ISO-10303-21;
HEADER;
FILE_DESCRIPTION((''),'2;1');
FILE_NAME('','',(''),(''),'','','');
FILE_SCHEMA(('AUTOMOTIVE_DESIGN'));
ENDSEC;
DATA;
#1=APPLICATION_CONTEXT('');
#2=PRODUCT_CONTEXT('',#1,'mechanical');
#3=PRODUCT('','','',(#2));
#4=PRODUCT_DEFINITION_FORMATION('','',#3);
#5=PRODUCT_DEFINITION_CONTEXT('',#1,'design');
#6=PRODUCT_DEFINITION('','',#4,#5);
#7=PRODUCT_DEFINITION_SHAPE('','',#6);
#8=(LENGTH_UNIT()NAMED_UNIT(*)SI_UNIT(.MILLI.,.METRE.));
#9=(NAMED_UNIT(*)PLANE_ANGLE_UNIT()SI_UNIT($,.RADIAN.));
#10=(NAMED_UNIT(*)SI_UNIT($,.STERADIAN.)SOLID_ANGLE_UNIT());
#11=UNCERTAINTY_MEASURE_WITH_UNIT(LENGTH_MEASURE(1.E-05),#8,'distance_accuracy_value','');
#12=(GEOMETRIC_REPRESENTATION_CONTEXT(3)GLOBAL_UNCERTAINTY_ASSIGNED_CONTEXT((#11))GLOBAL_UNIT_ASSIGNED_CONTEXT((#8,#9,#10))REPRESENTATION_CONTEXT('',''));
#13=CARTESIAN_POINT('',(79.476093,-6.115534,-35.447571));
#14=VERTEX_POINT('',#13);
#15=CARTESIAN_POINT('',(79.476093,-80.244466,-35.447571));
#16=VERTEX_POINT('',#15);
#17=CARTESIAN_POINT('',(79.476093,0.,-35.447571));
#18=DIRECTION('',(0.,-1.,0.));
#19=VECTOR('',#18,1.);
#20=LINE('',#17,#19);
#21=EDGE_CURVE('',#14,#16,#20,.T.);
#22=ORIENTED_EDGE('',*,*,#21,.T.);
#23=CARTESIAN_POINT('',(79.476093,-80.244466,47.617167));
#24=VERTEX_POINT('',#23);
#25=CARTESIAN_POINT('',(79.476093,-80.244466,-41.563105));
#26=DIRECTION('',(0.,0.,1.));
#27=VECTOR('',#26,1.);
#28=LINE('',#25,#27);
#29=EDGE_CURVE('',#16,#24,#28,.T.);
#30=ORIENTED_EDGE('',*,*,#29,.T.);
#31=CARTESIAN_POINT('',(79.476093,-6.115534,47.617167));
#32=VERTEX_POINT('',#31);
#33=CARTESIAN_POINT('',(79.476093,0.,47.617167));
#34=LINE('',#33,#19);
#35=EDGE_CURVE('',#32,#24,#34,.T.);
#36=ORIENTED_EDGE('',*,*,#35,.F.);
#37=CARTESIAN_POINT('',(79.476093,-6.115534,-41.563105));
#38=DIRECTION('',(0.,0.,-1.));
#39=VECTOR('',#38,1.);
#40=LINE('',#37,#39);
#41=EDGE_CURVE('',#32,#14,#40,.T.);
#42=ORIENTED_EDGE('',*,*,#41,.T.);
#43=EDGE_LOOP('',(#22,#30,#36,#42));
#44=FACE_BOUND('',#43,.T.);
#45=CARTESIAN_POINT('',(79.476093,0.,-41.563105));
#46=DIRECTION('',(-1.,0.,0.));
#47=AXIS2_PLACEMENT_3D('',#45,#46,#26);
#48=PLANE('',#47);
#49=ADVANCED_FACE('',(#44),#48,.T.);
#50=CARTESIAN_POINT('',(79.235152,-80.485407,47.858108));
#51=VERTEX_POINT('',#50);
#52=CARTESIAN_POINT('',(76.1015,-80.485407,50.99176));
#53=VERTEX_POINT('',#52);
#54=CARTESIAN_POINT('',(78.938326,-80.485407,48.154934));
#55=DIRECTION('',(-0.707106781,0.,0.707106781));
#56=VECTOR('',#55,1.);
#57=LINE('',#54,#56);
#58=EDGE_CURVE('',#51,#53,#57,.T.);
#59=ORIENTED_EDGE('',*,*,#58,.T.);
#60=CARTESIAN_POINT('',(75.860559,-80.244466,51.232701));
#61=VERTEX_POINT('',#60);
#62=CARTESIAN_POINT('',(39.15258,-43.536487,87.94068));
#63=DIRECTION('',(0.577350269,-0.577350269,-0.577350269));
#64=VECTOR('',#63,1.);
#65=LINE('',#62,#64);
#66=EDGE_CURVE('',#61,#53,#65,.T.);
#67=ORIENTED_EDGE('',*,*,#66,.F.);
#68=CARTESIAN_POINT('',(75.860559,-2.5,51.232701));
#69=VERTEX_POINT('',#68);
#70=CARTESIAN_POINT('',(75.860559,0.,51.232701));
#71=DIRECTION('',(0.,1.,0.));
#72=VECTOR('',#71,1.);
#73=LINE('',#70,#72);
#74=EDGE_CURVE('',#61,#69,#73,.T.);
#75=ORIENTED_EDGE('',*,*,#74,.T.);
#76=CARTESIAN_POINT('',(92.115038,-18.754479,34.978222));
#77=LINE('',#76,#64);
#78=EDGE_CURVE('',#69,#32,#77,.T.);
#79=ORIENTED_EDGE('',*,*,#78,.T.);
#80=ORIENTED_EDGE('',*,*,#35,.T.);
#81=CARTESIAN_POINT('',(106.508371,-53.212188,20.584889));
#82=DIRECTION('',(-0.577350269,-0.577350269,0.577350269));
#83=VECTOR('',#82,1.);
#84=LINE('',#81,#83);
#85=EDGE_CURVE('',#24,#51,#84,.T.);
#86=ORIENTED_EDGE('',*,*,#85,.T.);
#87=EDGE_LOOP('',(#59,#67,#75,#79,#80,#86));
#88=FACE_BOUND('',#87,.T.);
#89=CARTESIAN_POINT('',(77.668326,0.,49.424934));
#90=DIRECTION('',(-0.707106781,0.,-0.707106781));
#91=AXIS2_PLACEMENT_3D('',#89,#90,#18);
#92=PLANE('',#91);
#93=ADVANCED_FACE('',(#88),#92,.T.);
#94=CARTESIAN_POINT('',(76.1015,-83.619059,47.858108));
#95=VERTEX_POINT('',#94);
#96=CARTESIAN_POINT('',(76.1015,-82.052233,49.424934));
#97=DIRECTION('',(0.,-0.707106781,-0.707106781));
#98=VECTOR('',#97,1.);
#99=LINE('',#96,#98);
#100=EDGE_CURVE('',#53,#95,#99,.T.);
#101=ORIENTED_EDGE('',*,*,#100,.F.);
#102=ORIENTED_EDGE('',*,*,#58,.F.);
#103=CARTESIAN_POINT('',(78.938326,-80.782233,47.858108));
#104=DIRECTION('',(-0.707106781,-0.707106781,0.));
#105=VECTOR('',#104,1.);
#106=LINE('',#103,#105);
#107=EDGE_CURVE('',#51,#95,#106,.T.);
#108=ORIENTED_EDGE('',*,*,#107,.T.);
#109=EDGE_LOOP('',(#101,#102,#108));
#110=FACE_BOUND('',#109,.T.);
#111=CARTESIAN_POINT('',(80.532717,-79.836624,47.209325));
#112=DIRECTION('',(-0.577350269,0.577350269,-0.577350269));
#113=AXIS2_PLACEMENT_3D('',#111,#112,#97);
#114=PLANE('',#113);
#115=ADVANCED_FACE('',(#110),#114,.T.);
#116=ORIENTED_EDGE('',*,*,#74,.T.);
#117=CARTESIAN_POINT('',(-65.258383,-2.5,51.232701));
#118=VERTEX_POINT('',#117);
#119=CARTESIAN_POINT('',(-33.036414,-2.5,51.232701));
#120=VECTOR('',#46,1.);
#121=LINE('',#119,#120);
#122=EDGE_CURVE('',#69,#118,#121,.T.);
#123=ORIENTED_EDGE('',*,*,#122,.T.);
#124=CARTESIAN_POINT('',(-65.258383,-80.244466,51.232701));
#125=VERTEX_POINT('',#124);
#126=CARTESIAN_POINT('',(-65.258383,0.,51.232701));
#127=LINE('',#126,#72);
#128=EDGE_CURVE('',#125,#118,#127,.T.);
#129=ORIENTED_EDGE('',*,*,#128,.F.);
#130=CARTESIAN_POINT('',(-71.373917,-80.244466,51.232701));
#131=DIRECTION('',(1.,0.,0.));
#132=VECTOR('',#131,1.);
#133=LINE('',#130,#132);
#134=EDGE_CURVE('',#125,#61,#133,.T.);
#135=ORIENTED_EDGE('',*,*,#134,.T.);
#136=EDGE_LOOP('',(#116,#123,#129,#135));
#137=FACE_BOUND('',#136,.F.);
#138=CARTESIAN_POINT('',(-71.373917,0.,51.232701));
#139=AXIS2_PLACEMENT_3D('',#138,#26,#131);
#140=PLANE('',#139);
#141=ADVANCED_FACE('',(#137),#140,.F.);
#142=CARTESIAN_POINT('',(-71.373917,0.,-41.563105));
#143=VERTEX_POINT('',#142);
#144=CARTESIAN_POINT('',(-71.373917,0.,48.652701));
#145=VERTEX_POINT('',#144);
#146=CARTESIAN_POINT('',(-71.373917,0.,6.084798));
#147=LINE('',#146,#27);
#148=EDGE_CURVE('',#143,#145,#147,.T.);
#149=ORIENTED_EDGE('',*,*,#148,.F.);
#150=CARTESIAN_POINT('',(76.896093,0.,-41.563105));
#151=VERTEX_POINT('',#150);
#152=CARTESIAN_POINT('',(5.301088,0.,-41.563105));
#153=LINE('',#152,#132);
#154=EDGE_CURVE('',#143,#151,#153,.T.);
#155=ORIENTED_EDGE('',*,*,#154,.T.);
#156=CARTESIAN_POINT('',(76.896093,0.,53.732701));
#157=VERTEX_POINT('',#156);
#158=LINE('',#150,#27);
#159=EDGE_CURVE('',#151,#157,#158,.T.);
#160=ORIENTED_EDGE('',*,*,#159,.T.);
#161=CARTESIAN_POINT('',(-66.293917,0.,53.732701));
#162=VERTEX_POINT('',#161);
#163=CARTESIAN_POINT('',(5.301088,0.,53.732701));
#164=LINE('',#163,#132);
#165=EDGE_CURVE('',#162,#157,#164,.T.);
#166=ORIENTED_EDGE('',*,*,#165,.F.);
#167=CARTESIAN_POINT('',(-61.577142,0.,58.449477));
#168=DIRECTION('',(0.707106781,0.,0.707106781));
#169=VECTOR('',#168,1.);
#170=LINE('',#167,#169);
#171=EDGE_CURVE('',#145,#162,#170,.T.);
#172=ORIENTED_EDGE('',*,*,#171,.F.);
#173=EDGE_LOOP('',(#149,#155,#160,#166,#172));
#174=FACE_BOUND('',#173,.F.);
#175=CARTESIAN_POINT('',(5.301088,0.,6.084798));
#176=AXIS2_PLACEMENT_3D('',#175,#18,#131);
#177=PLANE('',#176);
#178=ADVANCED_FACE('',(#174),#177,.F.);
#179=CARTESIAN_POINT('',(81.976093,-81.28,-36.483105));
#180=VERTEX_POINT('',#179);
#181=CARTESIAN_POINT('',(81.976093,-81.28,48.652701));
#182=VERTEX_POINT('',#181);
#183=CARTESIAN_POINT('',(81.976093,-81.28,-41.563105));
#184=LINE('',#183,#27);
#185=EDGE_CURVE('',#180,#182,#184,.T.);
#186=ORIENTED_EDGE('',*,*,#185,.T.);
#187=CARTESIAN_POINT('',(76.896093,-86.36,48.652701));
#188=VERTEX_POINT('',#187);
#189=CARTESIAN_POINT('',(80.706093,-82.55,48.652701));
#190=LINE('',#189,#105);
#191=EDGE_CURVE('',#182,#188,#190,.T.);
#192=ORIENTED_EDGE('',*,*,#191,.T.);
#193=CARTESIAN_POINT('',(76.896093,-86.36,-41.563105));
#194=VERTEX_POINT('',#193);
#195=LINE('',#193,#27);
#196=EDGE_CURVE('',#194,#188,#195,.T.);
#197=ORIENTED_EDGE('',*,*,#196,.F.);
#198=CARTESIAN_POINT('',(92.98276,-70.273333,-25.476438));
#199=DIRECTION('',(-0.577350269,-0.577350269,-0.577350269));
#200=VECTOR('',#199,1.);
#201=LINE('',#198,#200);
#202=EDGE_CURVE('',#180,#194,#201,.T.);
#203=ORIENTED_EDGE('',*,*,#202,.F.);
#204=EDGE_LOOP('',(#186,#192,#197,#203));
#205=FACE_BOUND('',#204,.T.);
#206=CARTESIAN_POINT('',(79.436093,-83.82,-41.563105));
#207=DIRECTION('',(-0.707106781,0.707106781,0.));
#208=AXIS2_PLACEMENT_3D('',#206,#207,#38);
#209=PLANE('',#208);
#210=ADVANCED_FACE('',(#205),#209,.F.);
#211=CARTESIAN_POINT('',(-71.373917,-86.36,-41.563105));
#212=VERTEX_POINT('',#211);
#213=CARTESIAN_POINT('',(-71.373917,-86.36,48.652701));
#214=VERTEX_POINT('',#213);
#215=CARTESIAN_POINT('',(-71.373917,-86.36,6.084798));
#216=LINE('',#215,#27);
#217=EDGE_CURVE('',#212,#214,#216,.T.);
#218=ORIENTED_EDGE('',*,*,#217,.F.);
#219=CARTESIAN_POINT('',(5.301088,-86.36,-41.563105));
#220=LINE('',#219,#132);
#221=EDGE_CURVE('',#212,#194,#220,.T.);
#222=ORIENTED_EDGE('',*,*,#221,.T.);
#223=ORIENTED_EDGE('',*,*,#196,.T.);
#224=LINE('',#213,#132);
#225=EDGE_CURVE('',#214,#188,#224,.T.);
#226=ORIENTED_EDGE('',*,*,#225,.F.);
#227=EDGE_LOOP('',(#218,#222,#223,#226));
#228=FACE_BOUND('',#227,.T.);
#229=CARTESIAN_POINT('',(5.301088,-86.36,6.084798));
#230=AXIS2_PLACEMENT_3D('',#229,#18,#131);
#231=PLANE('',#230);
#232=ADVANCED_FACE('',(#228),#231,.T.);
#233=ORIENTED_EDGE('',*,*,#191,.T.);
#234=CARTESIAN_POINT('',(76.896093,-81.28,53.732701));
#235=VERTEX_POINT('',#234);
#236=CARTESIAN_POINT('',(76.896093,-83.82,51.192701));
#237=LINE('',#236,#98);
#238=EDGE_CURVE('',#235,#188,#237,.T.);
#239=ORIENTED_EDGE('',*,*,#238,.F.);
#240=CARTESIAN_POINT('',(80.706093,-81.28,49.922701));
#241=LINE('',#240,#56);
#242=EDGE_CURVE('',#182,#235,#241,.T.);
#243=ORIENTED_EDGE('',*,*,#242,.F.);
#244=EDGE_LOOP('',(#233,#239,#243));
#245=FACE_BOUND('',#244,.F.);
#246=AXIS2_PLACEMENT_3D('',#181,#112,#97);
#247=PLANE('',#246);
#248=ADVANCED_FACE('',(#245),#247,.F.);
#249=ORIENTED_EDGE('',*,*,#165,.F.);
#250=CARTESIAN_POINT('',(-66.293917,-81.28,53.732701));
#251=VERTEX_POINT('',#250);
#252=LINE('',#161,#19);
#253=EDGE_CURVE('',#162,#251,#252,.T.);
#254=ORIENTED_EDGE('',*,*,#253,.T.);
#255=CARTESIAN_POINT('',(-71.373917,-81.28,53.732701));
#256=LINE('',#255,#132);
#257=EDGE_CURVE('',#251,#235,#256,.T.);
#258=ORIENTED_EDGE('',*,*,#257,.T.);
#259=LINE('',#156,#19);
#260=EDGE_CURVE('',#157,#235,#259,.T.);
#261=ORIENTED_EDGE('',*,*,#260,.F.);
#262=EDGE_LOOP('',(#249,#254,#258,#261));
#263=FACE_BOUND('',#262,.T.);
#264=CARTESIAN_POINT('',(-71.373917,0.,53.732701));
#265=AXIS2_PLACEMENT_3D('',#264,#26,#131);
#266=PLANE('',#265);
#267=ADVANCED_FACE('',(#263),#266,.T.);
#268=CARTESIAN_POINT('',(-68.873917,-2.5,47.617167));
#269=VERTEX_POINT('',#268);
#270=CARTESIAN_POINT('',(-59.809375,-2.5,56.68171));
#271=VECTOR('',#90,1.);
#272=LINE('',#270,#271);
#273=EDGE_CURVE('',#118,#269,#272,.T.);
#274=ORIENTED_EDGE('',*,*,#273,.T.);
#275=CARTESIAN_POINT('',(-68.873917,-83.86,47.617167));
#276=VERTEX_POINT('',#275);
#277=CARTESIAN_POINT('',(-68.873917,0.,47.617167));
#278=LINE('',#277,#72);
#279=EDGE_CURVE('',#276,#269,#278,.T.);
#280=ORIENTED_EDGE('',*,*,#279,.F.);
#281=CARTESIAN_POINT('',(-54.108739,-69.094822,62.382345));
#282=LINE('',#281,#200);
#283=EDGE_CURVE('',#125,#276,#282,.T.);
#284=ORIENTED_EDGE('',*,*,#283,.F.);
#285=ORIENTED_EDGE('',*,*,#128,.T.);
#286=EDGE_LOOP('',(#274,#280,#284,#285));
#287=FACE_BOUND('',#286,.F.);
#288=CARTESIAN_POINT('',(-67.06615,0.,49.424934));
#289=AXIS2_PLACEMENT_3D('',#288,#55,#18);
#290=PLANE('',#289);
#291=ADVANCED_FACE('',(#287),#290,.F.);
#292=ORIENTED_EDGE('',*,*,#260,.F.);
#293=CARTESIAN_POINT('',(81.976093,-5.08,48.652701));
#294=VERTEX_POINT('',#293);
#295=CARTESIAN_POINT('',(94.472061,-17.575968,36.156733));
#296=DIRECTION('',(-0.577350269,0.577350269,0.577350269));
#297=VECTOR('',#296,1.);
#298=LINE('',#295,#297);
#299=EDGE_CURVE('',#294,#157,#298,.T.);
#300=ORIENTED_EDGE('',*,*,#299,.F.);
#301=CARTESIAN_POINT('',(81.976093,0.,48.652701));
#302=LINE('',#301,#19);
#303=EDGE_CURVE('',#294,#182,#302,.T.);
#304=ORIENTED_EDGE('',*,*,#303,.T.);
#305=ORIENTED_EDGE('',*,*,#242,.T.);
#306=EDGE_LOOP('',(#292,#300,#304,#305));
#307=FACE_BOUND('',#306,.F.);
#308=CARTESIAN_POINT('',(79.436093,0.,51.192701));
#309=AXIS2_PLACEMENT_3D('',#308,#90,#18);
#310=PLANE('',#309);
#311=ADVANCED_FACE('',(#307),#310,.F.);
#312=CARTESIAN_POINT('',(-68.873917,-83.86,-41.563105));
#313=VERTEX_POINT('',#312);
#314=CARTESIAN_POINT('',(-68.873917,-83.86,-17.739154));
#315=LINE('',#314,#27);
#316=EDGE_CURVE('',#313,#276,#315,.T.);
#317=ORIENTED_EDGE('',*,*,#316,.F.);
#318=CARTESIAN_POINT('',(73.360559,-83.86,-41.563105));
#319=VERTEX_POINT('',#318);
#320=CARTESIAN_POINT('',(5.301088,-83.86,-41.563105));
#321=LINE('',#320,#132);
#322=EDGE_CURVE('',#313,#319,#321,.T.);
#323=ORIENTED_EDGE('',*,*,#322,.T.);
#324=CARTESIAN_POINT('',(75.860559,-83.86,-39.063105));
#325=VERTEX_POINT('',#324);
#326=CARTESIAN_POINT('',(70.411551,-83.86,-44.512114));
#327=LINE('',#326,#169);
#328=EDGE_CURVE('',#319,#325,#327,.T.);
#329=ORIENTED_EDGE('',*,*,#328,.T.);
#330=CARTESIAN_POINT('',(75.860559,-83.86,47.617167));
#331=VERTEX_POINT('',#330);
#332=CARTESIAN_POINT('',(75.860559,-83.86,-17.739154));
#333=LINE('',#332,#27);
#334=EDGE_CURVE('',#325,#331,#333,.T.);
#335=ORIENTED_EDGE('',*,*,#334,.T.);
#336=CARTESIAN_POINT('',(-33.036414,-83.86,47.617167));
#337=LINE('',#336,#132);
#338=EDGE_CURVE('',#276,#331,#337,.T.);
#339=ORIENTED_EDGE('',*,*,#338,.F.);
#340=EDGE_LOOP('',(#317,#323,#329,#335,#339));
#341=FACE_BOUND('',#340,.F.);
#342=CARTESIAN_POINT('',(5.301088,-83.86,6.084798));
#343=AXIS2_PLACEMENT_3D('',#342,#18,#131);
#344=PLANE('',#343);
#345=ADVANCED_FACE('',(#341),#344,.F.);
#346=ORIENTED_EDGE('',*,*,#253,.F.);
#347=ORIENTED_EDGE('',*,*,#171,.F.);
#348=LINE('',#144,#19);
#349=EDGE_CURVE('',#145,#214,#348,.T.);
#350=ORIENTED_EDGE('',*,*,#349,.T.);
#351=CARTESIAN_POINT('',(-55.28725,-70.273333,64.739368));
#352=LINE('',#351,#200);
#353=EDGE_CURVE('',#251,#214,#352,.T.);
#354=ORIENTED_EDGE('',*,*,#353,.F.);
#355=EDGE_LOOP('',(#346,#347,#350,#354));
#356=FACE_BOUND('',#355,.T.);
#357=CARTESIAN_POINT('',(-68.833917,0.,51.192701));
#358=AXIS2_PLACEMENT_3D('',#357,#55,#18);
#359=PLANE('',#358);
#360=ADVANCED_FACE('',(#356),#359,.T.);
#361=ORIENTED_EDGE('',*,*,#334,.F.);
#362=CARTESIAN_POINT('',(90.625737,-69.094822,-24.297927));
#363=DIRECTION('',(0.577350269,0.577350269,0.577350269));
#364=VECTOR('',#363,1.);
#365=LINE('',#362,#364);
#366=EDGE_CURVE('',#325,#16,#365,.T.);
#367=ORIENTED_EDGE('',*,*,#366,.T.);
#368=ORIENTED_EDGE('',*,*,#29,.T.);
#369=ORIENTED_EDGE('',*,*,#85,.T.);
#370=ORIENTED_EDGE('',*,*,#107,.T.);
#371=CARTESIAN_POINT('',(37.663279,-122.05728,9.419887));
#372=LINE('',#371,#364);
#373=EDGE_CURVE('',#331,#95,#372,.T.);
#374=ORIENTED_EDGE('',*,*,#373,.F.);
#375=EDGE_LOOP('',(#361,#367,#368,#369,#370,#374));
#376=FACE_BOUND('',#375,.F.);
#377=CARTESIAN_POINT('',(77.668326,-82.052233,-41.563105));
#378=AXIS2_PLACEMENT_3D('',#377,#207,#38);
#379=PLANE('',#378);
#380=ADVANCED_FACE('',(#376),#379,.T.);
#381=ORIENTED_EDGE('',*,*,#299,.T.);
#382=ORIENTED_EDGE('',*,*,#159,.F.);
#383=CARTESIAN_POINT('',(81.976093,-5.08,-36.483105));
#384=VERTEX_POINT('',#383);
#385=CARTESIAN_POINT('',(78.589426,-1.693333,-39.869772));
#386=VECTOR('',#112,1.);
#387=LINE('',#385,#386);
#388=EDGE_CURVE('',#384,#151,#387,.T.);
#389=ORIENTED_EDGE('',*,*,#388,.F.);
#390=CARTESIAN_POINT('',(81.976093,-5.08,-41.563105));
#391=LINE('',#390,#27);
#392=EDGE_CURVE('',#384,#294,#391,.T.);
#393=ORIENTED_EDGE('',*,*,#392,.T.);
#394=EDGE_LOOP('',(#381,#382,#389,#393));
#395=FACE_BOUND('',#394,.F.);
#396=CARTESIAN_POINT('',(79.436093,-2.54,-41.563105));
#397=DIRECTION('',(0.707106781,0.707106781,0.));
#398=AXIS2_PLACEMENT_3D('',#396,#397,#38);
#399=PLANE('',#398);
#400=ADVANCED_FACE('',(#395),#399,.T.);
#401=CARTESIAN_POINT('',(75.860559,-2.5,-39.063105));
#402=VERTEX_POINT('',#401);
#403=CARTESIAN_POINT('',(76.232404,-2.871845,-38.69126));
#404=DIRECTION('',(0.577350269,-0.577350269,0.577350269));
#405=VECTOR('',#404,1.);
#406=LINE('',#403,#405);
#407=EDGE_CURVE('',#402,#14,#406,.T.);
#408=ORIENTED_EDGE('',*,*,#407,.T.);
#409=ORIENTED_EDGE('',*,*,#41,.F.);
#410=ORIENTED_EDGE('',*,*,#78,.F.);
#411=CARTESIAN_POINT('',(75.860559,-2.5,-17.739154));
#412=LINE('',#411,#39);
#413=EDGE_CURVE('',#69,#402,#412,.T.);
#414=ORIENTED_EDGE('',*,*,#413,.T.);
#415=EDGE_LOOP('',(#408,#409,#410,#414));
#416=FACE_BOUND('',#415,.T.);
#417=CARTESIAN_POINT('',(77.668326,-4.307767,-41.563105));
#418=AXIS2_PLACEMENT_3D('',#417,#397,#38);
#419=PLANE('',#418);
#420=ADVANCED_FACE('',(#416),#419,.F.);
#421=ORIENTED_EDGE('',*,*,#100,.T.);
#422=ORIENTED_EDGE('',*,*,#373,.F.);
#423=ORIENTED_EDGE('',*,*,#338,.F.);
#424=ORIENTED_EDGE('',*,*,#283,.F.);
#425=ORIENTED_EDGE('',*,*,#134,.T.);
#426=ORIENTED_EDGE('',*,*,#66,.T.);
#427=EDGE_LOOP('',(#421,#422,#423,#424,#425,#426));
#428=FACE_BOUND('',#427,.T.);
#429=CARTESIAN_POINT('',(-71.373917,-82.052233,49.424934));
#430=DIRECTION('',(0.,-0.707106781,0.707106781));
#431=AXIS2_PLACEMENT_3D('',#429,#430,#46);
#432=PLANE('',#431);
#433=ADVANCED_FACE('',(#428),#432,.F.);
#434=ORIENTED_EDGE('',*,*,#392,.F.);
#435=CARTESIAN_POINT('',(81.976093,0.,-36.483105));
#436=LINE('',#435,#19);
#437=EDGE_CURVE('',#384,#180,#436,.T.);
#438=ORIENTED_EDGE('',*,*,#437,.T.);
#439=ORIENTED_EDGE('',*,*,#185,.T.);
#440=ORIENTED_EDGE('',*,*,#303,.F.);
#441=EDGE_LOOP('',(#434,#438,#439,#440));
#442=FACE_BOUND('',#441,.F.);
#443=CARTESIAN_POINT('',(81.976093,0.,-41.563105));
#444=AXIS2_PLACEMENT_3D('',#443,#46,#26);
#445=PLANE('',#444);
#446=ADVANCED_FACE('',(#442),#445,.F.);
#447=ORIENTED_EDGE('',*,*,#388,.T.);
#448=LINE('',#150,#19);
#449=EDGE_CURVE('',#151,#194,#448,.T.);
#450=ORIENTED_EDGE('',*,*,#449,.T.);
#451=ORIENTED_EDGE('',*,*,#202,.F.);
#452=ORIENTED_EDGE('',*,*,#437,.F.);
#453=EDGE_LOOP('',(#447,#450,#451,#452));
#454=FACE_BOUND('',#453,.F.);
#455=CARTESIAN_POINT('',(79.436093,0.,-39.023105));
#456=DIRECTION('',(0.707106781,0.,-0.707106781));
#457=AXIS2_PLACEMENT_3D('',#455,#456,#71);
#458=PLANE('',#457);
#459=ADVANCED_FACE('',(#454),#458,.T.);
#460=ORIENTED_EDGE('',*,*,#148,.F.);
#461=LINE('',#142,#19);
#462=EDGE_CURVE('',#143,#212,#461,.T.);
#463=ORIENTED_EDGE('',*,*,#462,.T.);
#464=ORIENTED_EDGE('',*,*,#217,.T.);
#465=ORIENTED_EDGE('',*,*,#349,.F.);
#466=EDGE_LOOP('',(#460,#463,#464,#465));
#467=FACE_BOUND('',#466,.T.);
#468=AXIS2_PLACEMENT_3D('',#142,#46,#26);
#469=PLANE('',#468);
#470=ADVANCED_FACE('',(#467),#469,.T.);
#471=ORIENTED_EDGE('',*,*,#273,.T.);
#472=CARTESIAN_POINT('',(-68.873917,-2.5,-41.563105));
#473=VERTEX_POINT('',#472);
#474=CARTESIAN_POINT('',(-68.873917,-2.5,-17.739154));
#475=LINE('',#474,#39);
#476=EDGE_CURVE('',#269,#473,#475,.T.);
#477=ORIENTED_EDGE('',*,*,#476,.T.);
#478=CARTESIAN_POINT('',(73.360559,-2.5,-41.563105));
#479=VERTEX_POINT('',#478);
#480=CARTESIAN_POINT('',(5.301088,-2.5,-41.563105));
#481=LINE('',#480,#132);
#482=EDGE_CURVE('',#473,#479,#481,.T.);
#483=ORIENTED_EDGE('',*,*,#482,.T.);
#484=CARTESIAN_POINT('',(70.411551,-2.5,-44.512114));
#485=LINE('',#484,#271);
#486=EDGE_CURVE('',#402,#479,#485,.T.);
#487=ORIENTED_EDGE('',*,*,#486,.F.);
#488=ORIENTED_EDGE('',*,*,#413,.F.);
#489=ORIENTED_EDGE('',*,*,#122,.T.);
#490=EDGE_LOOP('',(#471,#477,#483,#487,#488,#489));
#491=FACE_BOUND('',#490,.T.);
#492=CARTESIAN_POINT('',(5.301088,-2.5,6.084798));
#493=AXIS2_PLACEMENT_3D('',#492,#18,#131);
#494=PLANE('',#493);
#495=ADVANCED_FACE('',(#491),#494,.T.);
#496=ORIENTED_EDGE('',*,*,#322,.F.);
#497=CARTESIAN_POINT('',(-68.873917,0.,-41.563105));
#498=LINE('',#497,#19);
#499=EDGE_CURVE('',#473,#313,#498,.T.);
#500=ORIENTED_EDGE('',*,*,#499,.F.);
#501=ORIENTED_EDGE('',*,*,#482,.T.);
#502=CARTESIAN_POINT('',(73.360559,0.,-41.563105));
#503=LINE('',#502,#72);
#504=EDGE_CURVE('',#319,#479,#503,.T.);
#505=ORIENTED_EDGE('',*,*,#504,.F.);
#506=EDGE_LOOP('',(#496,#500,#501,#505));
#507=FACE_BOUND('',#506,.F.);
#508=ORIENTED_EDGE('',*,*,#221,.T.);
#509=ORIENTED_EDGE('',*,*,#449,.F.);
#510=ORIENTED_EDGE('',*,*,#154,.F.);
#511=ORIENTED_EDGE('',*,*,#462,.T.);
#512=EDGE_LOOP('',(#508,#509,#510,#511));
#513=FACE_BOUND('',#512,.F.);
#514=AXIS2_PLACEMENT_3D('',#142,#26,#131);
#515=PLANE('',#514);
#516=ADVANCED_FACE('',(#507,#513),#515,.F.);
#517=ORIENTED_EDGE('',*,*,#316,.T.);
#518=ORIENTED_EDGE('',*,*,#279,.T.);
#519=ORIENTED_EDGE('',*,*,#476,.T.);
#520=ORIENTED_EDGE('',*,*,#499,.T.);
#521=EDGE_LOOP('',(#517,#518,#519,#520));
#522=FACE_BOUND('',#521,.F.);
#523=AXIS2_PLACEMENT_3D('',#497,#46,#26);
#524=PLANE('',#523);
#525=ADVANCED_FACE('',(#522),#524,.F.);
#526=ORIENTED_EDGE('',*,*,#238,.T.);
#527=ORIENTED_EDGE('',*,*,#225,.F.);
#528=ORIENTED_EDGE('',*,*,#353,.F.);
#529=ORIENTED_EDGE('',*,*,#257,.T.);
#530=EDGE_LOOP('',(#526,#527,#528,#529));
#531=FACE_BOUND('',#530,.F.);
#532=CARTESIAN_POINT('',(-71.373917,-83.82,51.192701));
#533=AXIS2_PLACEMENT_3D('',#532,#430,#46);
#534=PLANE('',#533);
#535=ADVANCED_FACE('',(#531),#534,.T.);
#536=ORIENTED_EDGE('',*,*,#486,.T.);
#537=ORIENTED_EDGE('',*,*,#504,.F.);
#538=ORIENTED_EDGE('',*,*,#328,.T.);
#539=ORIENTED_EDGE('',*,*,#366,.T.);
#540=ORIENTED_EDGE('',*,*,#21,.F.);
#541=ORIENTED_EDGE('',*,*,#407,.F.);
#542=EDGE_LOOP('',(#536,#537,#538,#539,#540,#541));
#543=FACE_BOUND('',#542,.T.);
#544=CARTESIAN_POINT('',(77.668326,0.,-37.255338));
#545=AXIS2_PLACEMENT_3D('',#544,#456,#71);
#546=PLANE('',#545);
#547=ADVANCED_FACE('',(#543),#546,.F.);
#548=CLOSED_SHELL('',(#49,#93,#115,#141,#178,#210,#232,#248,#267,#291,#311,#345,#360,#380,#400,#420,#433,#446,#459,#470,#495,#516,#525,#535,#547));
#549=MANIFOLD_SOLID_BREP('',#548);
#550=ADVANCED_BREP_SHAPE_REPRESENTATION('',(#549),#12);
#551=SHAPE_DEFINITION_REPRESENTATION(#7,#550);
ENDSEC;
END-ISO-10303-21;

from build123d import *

# Parameters (mm, degrees)
F0_W     = 153.35001
F0_H     = 95.295806
F1_DEPTH = 86.36
F2_SIZE  = 5.08
F3_T     = -2.5


with BuildPart() as f1:
    # F0 (on Front) → F1 (new body)
    with BuildSketch(Plane.XZ):
        with Locations((5.301088, 6.084798)):
            Rectangle(F0_W, F0_H)
    extrude(amount=F1_DEPTH)

    # F2
    f2_edges = [f1.edges().sort_by_distance(p)[0] for p in [
        (5.301088, -86.36, 53.732701),
        (81.976093, -43.18, 53.732701),
        (-71.373917, -43.18, 53.732701),
        (81.976093, -86.36, 6.084798),
        (81.976093, 0, 6.084798),
        (81.976093, -43.18, -41.563105),
    ]]
    chamfer(f2_edges, length=F2_SIZE)

    # F3
    f3_openings = [f1.faces().sort_by_distance(p)[0] for p in [
        (2.761088, -43.18, -41.563105),
    ]]
    offset(amount=F3_T, openings=f3_openings)


solid = f1.part
